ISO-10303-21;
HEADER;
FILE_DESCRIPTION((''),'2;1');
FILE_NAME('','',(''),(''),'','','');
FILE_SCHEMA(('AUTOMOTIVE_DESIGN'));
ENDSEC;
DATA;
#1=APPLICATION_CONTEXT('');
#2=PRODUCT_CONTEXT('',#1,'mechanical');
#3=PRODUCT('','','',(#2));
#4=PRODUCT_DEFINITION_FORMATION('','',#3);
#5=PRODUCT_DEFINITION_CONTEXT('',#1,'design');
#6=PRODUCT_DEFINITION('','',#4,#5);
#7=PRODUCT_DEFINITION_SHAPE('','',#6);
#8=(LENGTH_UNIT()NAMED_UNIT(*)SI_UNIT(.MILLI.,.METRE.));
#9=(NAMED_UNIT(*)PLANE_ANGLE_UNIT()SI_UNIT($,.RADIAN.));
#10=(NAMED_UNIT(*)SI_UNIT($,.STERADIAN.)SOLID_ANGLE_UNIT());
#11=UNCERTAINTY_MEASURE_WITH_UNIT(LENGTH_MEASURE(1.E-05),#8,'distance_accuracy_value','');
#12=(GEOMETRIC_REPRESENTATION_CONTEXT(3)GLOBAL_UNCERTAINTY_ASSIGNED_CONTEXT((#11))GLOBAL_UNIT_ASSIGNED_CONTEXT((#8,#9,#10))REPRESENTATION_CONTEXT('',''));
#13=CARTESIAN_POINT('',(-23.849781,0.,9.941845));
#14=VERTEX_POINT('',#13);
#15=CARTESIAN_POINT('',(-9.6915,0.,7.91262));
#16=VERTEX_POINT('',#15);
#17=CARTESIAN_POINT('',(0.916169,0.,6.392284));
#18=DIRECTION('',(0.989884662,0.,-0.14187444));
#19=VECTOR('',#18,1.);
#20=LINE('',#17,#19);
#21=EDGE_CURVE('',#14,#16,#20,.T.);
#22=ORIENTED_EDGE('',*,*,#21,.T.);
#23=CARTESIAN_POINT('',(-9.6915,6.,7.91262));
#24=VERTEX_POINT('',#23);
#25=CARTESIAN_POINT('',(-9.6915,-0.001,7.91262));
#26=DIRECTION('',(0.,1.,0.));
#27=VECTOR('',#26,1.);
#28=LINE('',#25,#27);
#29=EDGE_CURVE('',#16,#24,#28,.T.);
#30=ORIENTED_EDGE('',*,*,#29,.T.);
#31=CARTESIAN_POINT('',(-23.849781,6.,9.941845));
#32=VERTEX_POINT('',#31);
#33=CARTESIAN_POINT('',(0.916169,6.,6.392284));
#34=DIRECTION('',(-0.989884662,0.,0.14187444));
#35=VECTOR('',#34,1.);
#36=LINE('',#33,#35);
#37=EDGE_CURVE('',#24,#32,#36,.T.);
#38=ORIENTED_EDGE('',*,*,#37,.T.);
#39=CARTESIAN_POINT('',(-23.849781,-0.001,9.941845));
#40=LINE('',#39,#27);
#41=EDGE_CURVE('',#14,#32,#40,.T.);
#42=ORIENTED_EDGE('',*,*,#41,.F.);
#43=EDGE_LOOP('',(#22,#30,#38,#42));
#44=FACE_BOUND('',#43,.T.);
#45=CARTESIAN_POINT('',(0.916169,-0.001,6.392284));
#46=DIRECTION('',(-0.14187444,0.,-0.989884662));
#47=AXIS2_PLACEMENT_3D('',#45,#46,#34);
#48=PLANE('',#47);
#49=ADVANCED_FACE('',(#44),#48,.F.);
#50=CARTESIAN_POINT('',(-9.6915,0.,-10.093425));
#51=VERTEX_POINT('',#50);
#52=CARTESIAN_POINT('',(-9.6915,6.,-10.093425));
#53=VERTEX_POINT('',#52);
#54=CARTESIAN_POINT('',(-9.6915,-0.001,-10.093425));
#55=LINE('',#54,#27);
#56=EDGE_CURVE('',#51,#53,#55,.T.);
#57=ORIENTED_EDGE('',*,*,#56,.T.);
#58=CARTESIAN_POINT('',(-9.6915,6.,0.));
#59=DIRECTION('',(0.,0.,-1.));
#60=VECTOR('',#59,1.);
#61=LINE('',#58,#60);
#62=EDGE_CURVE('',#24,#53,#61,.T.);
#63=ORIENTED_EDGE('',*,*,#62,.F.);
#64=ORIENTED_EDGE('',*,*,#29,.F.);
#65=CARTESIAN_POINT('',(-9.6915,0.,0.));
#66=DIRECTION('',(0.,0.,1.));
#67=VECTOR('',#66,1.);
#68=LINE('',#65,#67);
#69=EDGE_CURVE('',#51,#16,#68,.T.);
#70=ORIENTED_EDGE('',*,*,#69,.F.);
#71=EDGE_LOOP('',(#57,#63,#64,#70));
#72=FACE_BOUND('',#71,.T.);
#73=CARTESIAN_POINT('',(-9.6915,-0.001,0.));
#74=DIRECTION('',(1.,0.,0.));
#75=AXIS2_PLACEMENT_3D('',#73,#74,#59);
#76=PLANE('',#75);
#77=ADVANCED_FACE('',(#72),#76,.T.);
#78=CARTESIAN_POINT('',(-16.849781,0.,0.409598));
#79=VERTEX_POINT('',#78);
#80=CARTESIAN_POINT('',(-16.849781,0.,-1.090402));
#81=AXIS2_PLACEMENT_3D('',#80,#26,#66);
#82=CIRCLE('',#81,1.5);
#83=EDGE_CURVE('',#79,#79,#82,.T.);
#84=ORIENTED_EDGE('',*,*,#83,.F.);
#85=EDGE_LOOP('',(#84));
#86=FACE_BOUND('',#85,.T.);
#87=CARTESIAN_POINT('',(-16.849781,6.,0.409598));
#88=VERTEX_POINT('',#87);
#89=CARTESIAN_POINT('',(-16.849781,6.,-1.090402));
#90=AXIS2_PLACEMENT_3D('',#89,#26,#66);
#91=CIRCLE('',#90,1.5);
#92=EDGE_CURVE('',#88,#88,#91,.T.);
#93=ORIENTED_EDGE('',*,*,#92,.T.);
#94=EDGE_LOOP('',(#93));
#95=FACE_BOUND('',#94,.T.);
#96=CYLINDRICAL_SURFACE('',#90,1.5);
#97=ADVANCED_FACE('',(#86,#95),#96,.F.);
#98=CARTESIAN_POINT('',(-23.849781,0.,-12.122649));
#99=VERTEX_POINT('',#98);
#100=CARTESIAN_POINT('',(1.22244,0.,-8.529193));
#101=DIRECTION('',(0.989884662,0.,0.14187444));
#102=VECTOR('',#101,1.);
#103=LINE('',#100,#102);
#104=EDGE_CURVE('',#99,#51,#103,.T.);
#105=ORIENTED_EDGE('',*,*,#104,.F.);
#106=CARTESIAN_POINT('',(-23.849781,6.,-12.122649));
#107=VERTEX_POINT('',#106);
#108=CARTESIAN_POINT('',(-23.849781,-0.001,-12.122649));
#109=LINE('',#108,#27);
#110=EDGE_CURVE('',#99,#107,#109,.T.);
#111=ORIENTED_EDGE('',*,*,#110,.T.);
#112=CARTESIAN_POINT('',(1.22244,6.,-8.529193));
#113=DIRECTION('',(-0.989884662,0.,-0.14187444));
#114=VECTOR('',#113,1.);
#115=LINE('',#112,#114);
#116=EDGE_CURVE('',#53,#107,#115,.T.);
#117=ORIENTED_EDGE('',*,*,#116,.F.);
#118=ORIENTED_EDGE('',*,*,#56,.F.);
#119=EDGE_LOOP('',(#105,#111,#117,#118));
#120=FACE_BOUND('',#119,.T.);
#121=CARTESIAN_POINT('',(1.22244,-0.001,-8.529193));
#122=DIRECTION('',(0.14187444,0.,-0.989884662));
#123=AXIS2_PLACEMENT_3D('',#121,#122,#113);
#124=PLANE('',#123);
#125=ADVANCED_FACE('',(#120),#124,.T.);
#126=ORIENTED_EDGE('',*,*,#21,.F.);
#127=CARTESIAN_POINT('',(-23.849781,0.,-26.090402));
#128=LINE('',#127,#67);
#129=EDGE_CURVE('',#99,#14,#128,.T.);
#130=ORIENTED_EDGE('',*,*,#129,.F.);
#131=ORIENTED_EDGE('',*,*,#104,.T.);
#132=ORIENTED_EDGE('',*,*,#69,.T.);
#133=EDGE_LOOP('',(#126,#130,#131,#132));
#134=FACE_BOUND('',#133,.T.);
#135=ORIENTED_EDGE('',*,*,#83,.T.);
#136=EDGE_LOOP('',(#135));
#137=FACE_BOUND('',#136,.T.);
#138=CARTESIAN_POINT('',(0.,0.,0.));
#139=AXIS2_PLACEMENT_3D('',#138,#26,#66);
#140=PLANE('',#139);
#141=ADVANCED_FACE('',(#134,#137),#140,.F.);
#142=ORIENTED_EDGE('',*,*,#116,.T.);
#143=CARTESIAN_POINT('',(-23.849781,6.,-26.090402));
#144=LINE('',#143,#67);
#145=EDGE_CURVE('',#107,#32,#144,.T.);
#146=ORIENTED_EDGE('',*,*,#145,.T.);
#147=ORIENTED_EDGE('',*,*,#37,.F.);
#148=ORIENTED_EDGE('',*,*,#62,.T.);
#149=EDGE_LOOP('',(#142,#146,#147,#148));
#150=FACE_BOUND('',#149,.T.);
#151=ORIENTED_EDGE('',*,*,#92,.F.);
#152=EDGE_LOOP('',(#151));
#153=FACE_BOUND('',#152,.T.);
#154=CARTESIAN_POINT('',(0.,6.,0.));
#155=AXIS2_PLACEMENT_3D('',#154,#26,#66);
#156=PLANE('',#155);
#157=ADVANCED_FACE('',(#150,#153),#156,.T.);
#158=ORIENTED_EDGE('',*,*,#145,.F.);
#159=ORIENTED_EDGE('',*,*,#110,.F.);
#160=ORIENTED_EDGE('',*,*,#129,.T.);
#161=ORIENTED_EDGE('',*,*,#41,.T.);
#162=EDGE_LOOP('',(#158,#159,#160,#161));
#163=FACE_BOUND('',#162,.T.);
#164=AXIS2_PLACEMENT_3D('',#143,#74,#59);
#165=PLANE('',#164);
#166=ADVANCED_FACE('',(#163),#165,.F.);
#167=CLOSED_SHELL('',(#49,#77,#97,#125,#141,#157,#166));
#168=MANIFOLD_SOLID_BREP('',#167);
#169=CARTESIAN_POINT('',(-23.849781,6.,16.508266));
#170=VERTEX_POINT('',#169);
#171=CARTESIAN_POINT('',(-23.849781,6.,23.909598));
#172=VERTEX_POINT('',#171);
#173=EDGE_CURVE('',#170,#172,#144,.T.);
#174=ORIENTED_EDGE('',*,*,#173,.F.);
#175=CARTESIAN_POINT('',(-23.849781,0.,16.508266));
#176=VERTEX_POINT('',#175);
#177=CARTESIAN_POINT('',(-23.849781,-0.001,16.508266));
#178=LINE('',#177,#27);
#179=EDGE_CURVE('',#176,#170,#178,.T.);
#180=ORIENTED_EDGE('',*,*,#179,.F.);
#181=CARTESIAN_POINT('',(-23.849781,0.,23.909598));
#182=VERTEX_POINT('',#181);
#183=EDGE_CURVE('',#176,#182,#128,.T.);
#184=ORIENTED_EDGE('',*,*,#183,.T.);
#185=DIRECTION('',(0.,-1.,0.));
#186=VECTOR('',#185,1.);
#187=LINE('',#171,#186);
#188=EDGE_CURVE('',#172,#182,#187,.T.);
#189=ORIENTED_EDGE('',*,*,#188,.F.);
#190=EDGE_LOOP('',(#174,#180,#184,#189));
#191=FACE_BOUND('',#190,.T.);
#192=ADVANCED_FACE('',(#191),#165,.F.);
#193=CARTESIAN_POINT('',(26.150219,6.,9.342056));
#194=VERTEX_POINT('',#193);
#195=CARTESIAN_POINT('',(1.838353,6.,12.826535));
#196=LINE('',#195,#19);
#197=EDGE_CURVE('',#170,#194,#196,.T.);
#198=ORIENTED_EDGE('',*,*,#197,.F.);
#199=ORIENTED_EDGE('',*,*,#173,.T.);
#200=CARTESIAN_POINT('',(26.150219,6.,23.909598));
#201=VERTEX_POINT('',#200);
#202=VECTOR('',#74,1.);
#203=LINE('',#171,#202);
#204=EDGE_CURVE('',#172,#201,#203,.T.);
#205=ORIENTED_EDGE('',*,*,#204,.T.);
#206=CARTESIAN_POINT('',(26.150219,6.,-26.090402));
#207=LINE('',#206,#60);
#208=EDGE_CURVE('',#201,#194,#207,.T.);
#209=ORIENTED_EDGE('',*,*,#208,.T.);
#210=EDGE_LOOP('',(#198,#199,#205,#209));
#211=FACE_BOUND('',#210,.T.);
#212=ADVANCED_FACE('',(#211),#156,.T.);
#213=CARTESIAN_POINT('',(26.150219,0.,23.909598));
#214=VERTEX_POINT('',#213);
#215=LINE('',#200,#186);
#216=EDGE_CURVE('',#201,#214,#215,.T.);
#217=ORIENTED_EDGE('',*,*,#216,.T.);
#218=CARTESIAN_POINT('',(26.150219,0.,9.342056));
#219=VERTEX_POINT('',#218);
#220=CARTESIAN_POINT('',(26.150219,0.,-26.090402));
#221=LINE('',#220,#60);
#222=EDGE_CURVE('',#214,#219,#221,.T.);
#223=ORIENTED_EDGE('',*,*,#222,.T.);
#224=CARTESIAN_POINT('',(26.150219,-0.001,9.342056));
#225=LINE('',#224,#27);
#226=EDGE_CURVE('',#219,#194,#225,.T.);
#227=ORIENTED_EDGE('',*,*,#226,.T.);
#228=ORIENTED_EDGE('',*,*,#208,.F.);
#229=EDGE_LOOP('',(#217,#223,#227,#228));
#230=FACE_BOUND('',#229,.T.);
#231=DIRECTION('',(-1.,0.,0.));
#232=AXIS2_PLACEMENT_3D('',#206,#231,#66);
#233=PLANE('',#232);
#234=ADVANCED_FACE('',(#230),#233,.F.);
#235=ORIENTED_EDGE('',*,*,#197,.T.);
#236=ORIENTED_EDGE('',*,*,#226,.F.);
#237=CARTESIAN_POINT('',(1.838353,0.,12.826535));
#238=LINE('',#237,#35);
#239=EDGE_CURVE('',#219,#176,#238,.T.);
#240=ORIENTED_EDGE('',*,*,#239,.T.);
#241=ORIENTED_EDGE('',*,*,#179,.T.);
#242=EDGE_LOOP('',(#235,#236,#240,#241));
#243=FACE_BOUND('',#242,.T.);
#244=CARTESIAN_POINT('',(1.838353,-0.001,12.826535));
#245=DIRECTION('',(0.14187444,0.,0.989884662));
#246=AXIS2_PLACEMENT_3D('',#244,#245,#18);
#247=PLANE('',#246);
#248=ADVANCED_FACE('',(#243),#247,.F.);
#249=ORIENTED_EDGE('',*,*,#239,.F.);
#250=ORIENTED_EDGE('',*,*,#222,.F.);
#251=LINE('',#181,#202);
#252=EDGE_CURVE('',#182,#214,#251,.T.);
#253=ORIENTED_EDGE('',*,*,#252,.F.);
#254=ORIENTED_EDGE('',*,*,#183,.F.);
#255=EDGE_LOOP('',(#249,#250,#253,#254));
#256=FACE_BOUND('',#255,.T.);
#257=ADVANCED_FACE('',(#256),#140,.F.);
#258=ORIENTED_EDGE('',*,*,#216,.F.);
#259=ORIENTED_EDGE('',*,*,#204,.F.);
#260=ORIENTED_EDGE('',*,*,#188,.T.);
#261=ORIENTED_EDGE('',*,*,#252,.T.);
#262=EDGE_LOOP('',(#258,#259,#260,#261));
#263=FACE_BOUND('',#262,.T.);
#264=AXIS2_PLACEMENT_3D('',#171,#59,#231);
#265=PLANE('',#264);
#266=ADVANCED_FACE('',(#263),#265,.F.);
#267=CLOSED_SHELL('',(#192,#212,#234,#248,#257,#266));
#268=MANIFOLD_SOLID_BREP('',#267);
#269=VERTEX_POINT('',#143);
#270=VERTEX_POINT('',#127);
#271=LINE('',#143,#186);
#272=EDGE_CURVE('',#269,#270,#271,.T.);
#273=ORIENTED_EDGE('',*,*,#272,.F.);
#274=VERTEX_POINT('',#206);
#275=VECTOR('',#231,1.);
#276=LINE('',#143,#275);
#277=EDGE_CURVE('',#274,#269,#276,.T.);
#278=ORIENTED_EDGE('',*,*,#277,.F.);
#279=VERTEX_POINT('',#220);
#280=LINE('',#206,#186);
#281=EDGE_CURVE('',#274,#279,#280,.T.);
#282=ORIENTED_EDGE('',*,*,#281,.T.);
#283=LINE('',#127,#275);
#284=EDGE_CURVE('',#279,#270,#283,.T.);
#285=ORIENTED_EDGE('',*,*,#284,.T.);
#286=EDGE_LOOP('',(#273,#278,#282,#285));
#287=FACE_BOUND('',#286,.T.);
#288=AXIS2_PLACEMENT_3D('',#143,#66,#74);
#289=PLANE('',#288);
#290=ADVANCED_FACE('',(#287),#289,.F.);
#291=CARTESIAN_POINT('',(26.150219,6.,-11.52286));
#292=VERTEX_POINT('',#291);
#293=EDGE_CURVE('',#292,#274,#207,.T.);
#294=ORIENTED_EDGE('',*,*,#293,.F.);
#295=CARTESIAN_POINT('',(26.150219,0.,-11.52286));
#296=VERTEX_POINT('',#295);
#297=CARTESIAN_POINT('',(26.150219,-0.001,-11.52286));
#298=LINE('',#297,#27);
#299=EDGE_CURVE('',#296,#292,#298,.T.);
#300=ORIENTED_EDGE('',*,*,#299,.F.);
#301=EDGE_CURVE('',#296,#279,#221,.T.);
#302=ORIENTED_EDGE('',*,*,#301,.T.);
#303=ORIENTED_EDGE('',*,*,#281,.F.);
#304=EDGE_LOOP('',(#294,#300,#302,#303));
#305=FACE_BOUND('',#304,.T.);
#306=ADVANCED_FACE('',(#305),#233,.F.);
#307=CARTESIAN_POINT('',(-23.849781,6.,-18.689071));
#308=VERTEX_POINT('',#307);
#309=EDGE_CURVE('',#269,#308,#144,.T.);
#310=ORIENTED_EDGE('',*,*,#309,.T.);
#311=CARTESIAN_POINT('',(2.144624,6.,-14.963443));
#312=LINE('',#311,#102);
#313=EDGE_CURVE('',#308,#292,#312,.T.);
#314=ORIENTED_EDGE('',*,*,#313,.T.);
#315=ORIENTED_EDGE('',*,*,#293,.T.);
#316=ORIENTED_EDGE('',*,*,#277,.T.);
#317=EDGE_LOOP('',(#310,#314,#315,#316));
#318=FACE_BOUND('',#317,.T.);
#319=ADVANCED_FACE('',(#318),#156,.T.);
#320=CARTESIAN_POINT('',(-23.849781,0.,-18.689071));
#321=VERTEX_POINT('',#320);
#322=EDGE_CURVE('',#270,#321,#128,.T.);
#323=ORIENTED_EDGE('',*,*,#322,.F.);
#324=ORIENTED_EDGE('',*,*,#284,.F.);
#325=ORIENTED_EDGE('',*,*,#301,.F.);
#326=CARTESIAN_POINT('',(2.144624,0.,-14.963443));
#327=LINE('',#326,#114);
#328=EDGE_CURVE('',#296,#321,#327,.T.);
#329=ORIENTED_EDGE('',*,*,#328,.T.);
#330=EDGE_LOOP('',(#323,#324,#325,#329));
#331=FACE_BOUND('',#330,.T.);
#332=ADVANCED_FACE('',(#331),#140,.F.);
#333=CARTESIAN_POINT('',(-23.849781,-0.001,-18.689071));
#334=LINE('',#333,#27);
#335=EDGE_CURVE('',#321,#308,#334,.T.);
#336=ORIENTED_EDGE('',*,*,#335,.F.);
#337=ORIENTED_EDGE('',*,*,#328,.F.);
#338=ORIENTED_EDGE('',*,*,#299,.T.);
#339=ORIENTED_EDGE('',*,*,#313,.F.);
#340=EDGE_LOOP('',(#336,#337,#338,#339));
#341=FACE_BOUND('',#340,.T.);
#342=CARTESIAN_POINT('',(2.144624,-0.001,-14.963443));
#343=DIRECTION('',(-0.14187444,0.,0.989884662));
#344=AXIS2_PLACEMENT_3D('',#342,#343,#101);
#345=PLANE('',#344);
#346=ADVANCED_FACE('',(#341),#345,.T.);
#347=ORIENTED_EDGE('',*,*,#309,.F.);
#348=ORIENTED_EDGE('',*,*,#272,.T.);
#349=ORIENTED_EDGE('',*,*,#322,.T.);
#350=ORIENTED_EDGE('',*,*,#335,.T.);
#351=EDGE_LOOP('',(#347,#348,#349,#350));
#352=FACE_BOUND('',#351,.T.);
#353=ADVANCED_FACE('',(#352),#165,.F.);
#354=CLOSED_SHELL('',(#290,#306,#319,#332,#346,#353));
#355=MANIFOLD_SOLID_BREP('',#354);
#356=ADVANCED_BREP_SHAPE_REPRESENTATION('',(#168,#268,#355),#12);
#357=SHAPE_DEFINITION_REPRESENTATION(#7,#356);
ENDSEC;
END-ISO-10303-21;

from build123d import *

# Parameters (mm, degrees)
SKETCH1_W             = 50
SKETCH1_H             = 50
BOSS_EXTRUDE1_DEPTH   = 6
CUT_EXTRUDE1_REACH    = 8
F_3_0MM_DOWEL_HOLE1_D = 3


with BuildPart() as part:
    # Sketch1 → Boss-Extrude1 (new body)
    with BuildSketch(Plane(origin=(0, 0, 0), x_dir=(1, 0, 0), z_dir=(0, 1, 0))):
        with Locations((1.150218805, 1.090402119)):
            Rectangle(SKETCH1_W, SKETCH1_H)
    extrude(amount=BOSS_EXTRUDE1_DEPTH)

    # Sketch2 → Cut-Extrude1 (cut, up to next)
    with BuildSketch(Plane(origin=(0, 6, 0), x_dir=(1, 0, 0), z_dir=(0, 1, 0)), mode=Mode.PRIVATE) as cut_extrude1_sk1:
        Polygon((-23.849781195, 18.689070655), (-23.849781195, 12.122649078), (-9.691499742, 10.093424527), (26.150218805, 4.956438412), (26.150218805, 11.522859989), align=None)
    cut_extrude1_tool1 = extrude(cut_extrude1_sk1.sketch, amount=-CUT_EXTRUDE1_REACH, mode=Mode.PRIVATE) & part.part
    add(cut_extrude1_tool1.solids().sort_by_distance((1.150219, 6, -11.822755))[0], mode=Mode.SUBTRACT)
    # Sketch2 → Cut-Extrude1 (cut, up to next)
    with BuildSketch(Plane(origin=(0, 6, 0), x_dir=(1, 0, 0), z_dir=(0, 1, 0)), mode=Mode.PRIVATE) as cut_extrude1_sk2:
        Polygon((-23.849781195, -9.941844841), (-23.849781195, -16.508266417), (26.150218805, -9.342055751), (26.150218805, -2.775634175), (-9.691499742, -7.91262029), align=None)
    cut_extrude1_tool2 = extrude(cut_extrude1_sk2.sketch, amount=-CUT_EXTRUDE1_REACH, mode=Mode.PRIVATE) & part.part
    add(cut_extrude1_tool2.solids().sort_by_distance((1.150219, 6, 9.64195))[0], mode=Mode.SUBTRACT)
    # Sketch2 → Cut-Extrude1 (cut, up to next)
    with BuildSketch(Plane(origin=(0, 6, 0), x_dir=(1, 0, 0), z_dir=(0, 1, 0)), mode=Mode.PRIVATE) as cut_extrude1_sk3:
        Polygon((-9.691499742, -7.91262029), (26.150218805, -2.775634175), (26.150218805, 4.956438412), (-9.691499742, 10.093424527), align=None)
    cut_extrude1_tool3 = extrude(cut_extrude1_sk3.sketch, amount=-CUT_EXTRUDE1_REACH, mode=Mode.PRIVATE) & part.part
    add(cut_extrude1_tool3.solids().sort_by_distance((5.844849, 6, -1.090402))[0], mode=Mode.SUBTRACT)

    # Ø3.0mm Dowel Hole1 (through all)
    with Locations(Plane(origin=(0, 6, 0), x_dir=(1, 0, 0), z_dir=(0, 1, 0))):
        with Locations((-16.849781195, 1.090402119)):
            Hole(F_3_0MM_DOWEL_HOLE1_D / 2)


solid = part.part
